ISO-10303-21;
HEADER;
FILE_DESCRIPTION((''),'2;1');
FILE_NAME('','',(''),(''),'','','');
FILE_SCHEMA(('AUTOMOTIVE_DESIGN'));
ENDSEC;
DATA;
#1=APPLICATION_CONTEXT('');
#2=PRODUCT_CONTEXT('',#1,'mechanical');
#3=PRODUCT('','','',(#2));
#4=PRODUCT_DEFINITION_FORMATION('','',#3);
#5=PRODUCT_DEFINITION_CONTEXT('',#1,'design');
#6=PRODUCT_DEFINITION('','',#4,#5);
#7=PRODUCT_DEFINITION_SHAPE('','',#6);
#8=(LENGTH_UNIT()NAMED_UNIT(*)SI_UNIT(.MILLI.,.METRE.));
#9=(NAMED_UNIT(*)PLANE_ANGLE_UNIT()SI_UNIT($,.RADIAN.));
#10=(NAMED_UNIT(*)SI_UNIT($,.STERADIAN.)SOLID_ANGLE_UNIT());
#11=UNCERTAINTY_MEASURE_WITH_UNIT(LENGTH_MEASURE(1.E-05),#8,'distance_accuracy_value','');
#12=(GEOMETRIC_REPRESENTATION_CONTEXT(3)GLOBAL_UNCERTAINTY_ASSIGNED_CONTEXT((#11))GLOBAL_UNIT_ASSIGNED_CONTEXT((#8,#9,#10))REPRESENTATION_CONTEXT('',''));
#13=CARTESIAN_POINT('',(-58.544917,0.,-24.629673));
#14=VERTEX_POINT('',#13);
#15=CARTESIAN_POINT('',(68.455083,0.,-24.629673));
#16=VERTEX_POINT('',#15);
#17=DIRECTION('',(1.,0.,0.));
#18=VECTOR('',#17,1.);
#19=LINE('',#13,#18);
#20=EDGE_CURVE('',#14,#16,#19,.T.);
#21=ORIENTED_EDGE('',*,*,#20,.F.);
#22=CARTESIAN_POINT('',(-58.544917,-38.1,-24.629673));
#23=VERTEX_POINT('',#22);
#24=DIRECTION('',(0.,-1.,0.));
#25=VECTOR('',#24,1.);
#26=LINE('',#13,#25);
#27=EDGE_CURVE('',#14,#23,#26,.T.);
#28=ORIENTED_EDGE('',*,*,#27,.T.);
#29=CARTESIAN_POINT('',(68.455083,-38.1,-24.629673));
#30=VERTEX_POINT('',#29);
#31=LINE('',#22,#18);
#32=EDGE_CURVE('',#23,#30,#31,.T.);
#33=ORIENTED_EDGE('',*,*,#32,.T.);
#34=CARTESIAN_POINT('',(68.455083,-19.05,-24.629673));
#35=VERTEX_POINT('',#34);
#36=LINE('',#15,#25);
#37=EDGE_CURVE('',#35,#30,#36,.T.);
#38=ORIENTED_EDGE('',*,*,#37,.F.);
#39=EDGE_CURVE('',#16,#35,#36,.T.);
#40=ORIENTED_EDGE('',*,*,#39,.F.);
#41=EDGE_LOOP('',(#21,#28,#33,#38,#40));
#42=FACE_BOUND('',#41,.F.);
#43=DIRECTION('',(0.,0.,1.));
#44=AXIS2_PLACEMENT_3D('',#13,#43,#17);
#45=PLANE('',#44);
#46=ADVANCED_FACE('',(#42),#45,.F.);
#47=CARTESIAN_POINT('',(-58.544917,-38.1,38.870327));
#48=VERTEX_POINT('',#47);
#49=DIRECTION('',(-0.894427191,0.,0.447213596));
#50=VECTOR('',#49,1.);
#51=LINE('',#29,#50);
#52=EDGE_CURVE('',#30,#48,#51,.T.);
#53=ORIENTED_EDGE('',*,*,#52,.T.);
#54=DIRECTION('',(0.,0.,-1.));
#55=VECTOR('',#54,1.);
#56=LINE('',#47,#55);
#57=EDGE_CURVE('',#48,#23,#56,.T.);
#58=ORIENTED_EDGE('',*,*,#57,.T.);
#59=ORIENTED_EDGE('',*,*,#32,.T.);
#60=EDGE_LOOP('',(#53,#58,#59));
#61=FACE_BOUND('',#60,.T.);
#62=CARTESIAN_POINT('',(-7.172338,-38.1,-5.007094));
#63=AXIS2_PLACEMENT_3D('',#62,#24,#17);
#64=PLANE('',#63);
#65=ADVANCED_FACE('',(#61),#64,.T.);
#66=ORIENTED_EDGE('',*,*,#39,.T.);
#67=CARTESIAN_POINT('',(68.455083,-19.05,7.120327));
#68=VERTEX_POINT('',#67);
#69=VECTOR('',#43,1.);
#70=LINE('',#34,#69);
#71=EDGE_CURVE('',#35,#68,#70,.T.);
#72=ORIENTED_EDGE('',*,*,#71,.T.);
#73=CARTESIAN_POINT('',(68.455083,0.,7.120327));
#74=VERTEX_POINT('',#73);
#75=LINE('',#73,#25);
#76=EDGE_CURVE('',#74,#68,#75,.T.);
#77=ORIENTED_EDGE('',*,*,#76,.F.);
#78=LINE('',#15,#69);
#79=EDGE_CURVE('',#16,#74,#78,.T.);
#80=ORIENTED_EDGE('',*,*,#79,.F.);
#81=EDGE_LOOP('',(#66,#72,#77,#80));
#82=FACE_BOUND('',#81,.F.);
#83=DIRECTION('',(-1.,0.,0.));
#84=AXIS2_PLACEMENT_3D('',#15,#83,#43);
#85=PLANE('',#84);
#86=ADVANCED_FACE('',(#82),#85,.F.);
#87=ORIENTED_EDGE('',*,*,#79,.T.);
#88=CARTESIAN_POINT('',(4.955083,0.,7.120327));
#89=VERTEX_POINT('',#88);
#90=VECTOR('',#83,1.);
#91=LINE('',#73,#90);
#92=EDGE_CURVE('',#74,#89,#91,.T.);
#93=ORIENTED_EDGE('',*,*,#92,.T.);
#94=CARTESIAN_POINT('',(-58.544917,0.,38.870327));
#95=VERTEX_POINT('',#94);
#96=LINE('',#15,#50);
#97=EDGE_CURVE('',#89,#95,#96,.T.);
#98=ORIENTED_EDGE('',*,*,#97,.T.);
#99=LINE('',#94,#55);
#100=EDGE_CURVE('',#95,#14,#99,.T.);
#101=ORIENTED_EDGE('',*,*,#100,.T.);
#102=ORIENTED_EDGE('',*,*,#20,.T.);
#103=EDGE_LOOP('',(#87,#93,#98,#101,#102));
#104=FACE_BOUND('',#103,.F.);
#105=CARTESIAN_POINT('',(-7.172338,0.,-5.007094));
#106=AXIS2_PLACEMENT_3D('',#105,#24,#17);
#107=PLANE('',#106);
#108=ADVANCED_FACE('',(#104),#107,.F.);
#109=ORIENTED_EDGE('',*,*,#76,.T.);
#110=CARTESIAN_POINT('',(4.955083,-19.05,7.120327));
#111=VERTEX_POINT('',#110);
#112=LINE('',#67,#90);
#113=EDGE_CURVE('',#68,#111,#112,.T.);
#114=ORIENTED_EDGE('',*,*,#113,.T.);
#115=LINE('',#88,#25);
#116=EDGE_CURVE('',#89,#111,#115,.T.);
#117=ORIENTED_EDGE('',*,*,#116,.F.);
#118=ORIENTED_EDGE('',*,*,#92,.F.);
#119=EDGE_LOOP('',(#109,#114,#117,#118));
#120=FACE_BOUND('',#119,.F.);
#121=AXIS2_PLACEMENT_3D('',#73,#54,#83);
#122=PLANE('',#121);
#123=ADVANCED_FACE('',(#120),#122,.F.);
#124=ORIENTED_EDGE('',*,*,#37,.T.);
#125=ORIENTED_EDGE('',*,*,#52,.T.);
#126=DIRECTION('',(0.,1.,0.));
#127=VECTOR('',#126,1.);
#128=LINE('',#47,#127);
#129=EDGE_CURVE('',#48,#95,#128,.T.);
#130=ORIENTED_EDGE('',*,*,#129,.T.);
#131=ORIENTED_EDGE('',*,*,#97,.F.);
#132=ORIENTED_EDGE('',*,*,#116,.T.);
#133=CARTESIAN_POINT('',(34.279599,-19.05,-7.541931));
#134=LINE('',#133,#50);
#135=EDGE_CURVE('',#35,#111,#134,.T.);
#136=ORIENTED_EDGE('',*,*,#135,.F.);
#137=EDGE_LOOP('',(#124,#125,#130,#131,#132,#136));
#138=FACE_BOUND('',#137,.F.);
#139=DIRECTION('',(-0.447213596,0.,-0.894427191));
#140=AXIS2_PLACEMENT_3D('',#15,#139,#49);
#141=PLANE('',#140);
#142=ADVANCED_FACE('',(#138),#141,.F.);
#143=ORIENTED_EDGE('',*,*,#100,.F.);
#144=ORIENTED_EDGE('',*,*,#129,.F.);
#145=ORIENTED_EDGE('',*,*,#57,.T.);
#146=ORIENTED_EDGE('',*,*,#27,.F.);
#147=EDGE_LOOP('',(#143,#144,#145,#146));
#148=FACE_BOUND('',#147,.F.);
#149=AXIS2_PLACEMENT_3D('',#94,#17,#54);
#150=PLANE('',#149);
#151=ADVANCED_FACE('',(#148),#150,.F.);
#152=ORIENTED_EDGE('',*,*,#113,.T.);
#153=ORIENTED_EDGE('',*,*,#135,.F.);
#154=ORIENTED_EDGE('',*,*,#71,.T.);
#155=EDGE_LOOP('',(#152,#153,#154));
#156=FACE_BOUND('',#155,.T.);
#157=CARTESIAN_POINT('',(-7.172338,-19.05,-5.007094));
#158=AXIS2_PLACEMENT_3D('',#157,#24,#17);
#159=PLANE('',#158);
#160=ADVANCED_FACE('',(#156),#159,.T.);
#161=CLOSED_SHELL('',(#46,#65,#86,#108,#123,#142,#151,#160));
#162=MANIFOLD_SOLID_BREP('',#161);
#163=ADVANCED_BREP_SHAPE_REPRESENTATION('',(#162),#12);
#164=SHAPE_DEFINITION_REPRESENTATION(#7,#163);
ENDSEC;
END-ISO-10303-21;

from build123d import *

# Parameters (mm, degrees)
F1_DEPTH = 38.1
F2_DEPTH = 19.05


with BuildPart() as f1:
    # F0 (on Front) → F1 (new body)
    with BuildSketch(Plane.XZ):
        Polygon((-58.544917, 38.870327), (-58.544917, -24.629673), (68.455083, -24.629673), (4.955083, 7.120327), align=None)
    extrude(amount=F1_DEPTH)

    # F0 (on Front) → F2 (join)
    with BuildSketch(Plane.XZ):
        Polygon((-58.544917, 38.870327), (-58.544917, -24.629673), (68.455083, -24.629673), (4.955083, 7.120327), align=None)
        Polygon((4.955083, 7.120327), (68.455083, -24.629673), (68.455083, 7.120327), align=None)
    extrude(amount=F2_DEPTH)


solid = f1.part
